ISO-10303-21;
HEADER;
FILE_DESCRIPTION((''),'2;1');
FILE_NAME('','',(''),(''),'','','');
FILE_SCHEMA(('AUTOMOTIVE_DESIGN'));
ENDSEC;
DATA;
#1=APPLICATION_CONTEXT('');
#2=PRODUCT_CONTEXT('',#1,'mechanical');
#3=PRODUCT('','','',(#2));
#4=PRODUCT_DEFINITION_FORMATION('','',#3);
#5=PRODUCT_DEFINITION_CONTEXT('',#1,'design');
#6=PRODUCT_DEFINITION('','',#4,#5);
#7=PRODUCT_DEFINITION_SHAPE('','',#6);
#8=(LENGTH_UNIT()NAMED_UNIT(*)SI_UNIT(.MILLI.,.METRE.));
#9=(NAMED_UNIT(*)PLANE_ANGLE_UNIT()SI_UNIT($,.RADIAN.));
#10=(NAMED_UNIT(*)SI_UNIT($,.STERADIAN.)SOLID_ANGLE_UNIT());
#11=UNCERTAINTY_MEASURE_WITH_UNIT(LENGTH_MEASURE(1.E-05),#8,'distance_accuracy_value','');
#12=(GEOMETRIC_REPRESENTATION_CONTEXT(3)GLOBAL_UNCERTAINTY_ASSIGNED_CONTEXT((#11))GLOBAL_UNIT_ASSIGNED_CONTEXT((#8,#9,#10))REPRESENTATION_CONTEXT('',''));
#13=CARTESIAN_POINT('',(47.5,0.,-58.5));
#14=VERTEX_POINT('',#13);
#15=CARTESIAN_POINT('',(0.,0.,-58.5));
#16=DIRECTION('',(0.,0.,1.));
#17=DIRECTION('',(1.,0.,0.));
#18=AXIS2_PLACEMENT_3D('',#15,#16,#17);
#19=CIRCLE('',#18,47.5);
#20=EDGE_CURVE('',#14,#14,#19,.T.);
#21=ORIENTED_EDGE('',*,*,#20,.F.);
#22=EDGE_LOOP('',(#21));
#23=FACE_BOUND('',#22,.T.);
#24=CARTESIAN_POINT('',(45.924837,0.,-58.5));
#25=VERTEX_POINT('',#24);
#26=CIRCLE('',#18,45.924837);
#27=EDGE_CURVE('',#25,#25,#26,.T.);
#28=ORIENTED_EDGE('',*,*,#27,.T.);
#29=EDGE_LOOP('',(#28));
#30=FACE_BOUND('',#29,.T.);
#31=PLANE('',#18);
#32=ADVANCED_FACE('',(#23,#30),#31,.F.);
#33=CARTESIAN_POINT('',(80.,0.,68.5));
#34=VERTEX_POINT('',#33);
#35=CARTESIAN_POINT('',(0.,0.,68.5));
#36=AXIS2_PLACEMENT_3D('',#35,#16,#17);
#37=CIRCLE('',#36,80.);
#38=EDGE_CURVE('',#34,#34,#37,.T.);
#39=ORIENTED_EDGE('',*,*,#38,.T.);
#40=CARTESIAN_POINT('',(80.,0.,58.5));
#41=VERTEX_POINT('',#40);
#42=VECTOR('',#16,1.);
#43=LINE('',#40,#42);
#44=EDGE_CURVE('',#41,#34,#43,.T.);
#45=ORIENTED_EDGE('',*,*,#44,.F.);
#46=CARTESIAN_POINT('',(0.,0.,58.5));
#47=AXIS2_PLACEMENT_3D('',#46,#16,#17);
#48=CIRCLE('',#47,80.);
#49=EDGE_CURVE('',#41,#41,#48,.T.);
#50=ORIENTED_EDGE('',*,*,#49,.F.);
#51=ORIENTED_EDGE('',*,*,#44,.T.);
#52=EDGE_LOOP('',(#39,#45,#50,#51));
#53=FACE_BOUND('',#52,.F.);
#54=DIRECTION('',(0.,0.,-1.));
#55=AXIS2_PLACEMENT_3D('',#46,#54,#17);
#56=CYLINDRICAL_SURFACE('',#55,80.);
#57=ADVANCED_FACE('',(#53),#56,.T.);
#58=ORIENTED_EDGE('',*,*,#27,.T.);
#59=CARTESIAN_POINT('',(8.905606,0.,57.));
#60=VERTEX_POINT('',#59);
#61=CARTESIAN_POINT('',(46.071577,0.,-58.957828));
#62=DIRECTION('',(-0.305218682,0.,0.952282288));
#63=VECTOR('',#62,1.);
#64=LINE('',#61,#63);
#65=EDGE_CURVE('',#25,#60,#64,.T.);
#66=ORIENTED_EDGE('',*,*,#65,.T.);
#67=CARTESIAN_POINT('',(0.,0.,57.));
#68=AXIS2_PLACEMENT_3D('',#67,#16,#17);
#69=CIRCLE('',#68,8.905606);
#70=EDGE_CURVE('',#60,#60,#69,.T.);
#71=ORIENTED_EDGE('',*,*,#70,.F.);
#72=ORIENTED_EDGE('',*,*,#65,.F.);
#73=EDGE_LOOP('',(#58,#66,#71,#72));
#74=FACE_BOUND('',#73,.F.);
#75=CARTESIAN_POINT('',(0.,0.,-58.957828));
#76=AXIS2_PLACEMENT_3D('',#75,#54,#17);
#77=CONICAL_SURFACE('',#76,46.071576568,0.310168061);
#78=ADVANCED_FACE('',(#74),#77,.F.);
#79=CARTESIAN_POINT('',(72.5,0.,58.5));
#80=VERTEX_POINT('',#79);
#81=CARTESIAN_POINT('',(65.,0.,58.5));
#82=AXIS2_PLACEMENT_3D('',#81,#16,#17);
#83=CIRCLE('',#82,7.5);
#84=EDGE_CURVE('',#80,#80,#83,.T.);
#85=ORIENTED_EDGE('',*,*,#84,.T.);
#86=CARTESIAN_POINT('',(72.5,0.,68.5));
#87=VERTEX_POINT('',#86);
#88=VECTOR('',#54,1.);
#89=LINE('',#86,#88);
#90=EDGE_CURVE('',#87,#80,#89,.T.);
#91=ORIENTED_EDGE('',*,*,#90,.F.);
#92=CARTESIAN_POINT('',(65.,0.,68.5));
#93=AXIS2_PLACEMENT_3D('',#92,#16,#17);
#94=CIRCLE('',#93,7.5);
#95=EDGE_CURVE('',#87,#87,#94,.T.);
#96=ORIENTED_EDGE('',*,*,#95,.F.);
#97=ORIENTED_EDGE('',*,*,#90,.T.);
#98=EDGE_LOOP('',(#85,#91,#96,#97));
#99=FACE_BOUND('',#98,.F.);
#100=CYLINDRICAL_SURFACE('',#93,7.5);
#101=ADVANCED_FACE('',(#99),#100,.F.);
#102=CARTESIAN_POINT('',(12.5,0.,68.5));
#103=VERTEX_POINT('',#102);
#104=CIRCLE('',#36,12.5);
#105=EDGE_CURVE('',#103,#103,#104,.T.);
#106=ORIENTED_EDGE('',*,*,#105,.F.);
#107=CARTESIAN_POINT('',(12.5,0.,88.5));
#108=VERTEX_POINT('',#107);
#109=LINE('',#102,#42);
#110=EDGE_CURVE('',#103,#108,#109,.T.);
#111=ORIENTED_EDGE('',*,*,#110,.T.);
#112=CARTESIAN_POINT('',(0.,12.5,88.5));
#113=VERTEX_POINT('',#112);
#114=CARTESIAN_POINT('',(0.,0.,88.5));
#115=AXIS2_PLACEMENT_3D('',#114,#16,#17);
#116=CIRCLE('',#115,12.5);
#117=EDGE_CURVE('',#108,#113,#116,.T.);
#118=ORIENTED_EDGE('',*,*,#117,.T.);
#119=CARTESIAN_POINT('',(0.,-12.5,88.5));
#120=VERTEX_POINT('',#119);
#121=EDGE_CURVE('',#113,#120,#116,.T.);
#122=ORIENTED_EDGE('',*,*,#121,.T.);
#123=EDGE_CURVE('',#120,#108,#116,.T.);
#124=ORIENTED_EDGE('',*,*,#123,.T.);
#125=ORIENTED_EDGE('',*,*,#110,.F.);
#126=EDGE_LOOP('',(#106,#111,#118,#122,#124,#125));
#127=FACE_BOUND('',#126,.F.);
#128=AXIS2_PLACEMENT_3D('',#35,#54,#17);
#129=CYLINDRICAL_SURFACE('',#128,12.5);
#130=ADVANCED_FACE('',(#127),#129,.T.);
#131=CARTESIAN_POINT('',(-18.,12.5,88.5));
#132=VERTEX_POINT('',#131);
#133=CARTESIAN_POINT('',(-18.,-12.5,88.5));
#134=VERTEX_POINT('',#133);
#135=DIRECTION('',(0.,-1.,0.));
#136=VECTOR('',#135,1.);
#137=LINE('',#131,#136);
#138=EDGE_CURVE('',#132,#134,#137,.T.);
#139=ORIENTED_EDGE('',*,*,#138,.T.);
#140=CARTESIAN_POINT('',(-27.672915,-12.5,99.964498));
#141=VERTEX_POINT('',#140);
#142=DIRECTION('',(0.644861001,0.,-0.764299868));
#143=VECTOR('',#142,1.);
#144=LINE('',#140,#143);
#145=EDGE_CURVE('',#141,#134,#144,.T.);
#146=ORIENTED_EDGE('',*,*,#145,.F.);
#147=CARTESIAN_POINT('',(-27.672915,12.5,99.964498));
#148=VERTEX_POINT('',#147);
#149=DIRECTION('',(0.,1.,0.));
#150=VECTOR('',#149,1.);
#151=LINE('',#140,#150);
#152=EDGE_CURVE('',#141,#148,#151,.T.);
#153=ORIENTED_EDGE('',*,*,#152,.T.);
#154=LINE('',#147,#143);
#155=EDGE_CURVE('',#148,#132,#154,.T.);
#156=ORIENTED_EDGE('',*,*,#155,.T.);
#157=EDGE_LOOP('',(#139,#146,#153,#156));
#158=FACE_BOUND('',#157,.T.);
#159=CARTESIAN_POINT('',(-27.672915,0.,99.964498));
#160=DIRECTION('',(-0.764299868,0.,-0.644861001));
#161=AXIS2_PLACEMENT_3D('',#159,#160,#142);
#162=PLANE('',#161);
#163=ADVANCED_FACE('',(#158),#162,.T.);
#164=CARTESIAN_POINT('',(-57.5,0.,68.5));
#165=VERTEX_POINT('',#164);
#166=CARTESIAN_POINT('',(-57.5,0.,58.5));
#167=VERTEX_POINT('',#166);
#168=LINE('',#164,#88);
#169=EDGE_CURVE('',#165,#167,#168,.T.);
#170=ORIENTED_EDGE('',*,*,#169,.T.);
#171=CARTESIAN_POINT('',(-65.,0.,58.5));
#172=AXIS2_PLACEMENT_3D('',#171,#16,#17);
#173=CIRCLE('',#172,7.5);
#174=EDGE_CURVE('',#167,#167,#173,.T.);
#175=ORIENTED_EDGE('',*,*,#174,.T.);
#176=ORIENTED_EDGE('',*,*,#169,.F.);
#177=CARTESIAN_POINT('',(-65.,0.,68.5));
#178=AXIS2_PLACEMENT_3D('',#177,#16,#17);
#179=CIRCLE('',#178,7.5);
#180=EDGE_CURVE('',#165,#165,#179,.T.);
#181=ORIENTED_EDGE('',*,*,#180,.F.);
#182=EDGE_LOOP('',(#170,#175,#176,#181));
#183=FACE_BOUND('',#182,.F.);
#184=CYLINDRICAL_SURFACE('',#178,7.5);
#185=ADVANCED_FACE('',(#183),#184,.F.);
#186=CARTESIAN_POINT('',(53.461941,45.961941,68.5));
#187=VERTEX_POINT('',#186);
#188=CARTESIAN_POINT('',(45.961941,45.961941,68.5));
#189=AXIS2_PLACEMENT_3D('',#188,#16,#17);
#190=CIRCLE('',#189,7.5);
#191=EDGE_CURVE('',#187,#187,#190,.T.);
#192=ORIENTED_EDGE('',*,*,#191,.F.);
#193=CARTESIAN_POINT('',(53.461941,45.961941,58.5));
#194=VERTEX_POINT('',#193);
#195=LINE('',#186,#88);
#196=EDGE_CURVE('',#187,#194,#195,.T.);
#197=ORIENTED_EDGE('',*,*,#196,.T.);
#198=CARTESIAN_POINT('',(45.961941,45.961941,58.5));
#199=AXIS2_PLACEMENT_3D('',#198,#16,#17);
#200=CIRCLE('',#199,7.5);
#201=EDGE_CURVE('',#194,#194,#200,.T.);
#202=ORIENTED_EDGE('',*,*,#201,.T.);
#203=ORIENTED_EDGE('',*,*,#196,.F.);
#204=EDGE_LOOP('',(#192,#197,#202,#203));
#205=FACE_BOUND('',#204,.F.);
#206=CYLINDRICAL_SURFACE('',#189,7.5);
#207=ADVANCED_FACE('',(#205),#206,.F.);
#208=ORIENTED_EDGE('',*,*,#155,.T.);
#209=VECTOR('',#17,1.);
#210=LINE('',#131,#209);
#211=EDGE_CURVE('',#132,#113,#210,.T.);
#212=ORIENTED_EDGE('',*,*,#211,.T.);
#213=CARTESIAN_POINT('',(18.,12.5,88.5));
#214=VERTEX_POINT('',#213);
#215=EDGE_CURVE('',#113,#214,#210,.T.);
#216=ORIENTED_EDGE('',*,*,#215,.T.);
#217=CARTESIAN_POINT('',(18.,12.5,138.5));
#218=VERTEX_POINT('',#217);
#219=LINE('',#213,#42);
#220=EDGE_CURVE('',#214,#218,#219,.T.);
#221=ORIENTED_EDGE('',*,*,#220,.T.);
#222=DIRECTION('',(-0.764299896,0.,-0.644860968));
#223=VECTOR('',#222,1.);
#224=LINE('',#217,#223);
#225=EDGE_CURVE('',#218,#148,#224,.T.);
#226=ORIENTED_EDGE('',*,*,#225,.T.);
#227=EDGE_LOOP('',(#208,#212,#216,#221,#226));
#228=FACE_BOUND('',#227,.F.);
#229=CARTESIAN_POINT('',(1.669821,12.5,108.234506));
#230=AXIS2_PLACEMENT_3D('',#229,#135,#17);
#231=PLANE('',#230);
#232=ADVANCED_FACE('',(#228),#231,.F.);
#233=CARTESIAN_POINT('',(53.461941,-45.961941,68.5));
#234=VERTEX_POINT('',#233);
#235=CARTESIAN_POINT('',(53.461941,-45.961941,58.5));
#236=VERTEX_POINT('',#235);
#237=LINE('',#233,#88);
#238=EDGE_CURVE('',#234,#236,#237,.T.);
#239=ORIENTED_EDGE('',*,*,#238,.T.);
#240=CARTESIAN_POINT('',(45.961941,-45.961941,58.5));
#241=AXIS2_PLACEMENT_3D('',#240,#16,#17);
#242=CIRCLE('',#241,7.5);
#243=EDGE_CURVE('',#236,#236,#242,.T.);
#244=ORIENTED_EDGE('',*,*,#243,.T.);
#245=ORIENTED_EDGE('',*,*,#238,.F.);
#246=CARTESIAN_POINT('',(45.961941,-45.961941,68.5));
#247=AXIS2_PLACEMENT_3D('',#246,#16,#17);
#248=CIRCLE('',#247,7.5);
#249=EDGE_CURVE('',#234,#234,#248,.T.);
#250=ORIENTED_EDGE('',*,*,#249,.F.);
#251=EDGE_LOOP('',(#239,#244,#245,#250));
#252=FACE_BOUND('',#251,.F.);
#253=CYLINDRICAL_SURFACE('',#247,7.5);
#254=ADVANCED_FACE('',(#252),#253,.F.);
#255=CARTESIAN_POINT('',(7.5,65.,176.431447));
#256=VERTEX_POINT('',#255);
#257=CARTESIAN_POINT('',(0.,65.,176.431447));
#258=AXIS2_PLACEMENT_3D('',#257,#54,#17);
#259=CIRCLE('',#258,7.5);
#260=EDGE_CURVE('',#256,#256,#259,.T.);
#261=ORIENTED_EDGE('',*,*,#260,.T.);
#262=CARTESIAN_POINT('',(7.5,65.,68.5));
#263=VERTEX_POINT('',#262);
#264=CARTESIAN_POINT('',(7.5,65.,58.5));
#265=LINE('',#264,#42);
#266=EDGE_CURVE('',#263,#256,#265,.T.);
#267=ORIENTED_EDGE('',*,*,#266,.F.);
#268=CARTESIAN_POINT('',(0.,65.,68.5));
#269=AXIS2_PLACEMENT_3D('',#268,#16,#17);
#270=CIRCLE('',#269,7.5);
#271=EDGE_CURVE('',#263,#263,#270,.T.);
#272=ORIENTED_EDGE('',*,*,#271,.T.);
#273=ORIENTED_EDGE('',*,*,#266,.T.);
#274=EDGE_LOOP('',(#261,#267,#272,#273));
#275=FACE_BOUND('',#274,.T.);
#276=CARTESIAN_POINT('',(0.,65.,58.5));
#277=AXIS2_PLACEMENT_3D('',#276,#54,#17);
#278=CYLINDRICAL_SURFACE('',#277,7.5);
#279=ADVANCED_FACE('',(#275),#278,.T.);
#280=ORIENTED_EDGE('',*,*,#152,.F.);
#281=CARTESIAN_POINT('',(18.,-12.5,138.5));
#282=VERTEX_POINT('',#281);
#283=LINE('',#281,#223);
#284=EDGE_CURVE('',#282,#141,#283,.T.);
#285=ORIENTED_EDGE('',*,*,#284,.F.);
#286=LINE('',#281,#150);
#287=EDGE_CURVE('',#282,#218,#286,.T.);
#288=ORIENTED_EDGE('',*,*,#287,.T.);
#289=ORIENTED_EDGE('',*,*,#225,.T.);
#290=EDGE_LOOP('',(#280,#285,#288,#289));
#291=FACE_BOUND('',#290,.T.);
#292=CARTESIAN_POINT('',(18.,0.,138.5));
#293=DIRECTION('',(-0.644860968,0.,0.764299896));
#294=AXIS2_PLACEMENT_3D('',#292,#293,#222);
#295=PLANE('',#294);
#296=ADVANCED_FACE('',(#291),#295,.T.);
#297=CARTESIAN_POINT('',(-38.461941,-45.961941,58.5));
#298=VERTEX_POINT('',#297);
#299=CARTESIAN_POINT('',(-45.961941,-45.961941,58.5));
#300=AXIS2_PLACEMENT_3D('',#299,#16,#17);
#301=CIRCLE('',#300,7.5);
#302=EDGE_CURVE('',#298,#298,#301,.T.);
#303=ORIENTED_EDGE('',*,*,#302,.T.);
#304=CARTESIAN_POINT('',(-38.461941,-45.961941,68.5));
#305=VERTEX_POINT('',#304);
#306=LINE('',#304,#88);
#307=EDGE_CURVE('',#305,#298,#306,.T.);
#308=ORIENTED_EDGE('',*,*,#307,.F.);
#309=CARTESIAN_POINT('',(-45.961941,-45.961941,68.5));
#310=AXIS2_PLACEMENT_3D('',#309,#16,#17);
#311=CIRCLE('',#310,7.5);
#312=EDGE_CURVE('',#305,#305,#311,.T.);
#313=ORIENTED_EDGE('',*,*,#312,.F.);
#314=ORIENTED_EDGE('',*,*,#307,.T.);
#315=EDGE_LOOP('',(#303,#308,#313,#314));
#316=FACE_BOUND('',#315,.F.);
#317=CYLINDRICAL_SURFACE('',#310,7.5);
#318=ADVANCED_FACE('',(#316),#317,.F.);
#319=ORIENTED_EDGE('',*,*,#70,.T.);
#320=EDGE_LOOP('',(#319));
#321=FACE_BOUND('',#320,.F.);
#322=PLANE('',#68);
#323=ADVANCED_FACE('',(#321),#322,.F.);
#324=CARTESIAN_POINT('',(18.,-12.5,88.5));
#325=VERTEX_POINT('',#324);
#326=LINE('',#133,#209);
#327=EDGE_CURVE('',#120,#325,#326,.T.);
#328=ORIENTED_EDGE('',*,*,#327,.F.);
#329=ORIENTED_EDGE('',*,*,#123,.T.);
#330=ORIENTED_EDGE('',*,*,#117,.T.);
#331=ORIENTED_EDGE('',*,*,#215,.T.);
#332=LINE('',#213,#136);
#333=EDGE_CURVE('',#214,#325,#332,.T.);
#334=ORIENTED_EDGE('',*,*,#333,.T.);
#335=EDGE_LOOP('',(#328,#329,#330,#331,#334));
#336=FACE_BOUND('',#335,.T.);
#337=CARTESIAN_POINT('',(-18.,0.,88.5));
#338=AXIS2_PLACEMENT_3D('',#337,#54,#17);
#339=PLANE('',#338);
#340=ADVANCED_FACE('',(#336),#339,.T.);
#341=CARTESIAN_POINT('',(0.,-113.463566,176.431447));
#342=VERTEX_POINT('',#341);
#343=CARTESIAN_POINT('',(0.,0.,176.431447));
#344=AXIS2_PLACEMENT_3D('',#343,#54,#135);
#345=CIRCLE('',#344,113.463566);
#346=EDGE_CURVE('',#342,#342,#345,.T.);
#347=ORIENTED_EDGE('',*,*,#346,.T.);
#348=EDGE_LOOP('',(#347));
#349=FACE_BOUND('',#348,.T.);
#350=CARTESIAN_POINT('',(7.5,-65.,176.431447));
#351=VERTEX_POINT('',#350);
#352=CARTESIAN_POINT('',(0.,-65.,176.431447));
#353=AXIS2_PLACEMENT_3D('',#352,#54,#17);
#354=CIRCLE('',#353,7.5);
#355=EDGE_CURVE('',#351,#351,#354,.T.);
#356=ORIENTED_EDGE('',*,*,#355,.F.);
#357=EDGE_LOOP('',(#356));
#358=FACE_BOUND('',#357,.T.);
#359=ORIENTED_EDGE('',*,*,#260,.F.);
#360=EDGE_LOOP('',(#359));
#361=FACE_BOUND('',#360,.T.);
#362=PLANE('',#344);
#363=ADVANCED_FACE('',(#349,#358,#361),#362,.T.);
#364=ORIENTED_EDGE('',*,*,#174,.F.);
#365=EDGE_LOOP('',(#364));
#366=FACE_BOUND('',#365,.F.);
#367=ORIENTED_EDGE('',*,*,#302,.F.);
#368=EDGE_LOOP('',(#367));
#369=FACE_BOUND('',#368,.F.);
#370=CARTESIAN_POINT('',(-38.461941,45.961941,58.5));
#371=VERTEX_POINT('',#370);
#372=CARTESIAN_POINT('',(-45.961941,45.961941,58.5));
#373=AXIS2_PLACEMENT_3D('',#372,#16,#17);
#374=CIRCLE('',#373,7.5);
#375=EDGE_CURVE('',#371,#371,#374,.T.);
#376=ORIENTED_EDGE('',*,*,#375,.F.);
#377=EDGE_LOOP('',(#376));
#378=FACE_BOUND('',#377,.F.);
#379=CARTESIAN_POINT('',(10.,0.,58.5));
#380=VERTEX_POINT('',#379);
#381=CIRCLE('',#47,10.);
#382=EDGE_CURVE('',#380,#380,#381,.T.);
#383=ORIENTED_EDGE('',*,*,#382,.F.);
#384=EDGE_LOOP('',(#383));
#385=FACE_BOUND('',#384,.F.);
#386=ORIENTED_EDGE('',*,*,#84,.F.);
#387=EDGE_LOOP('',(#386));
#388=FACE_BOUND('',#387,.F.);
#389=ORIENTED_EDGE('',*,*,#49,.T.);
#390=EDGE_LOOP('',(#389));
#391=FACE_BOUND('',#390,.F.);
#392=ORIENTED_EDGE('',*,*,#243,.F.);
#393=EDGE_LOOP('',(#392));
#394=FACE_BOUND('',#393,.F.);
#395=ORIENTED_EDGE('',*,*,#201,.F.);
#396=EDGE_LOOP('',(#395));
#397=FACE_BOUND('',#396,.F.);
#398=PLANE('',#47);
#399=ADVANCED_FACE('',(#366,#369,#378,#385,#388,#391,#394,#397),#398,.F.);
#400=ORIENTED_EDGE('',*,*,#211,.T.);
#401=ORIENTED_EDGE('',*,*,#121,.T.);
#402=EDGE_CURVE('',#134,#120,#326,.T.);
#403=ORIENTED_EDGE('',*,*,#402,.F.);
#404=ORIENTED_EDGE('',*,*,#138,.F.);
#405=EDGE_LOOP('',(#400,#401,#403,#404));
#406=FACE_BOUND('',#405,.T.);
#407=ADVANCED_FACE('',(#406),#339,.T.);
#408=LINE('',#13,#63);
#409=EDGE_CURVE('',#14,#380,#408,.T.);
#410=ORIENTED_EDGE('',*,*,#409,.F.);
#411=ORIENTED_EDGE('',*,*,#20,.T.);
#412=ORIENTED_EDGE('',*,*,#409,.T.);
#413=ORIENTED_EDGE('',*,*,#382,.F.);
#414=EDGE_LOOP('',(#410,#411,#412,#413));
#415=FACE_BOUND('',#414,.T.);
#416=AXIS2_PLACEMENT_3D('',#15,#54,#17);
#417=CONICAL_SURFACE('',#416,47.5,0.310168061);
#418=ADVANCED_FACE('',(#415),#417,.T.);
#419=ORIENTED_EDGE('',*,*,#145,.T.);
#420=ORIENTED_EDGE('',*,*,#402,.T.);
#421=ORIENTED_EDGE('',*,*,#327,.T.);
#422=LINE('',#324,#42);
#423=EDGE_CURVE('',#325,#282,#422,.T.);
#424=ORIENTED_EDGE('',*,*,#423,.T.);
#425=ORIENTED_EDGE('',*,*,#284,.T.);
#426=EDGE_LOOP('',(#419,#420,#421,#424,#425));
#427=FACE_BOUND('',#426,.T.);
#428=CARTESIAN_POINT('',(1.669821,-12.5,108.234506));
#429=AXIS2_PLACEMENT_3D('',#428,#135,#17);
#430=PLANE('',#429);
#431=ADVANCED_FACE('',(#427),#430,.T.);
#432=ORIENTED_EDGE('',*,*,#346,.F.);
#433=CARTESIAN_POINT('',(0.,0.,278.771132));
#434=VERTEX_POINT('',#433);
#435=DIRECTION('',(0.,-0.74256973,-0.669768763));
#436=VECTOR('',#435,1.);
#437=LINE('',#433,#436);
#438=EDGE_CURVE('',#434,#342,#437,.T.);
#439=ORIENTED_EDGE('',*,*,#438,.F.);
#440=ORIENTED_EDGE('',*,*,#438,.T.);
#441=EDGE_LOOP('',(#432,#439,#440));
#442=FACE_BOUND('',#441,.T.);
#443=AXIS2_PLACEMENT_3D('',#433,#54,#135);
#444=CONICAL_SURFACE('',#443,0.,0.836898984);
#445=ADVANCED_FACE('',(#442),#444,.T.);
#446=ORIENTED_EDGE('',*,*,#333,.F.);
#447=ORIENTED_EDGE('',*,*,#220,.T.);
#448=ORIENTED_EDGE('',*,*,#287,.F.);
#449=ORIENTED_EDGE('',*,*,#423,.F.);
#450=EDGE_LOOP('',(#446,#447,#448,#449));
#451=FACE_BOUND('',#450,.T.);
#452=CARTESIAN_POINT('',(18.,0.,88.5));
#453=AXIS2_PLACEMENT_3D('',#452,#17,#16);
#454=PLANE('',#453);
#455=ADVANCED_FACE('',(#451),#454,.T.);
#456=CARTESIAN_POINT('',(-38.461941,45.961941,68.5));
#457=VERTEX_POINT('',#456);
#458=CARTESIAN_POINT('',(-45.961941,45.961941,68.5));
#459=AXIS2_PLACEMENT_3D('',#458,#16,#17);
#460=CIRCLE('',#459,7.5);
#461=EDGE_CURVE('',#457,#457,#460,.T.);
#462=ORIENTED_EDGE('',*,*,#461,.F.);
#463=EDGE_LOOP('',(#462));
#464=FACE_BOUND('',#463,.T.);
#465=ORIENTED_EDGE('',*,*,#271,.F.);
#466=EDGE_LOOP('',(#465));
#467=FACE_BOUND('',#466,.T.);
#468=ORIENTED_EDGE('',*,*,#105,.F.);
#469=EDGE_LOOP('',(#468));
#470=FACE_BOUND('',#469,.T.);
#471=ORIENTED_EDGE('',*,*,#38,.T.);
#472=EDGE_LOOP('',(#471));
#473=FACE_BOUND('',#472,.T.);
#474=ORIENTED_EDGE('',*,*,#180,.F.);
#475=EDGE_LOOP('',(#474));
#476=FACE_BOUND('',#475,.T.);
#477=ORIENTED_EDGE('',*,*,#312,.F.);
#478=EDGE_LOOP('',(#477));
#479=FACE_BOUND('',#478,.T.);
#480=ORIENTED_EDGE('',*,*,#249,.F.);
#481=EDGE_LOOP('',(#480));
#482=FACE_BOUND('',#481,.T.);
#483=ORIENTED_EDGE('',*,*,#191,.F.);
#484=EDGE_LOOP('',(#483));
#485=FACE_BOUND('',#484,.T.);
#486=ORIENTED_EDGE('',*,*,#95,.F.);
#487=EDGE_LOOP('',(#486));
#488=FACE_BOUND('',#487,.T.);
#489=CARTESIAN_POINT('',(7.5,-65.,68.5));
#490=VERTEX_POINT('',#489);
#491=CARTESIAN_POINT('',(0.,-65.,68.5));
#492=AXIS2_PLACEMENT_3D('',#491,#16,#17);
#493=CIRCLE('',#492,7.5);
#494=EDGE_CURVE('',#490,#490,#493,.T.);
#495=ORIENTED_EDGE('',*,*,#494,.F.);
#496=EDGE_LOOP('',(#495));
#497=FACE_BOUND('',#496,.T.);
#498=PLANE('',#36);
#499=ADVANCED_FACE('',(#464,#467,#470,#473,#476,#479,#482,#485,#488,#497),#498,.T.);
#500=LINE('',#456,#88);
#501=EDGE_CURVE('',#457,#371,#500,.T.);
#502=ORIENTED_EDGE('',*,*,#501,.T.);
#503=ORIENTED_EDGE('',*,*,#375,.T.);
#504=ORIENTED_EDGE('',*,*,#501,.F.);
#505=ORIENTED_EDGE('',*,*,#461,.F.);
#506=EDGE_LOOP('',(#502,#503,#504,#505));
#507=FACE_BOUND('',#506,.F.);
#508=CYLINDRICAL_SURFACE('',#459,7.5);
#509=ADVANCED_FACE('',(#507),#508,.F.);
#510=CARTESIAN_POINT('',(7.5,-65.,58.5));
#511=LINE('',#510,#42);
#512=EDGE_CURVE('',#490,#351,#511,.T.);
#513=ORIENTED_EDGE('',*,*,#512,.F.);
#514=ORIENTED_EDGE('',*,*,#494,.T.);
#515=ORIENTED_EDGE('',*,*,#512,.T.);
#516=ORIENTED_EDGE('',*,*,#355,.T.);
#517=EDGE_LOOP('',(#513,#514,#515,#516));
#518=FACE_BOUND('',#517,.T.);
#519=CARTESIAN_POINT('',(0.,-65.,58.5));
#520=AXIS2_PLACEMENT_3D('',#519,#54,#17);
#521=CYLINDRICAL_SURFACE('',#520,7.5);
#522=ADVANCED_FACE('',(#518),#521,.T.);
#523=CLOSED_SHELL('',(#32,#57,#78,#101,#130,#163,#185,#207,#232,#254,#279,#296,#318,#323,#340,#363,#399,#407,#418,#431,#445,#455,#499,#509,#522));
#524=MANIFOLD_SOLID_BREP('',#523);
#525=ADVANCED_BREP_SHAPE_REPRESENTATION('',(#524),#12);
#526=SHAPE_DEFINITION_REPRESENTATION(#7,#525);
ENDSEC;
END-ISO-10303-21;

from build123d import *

# Parameters (mm, degrees)
F2_T      = -1.5
F3_R      = 80
F4_DEPTH  = 10
F5_R      = 7.5
F6_DEPTH  = 10
F7_R      = 12.5
F8_DEPTH  = 20
F10_DEPTH = 12.5
F11_R     = 7.5
F12_DEPTH = 150


with BuildPart() as f1:
    # F0 (on Front) → F1 (revolve)
    with BuildSketch(Plane.XZ):
        Polygon((10, 58.5), (0, 58.5), (0, -58.5), (47.5, -58.5), align=None)
    revolve(axis=Axis((0, 0, 0), (0, 0, 1)))

    # F2
    f2_openings = [f1.faces().sort_by_distance(p)[0] for p in [
        (0, 0, -58.5),
    ]]
    offset(amount=F2_T, openings=f2_openings)

    # F3 (on face) → F4 (join)
    with BuildSketch(Plane.XY.offset(58.5)):
        Circle(F3_R)
    extrude(amount=F4_DEPTH)

    # F5 (on face) → F6 (cut, through all)
    with BuildSketch(Plane.XY.offset(68.5)):
        with Locations((-65, 0)):
            Circle(F5_R)
        with Locations((-45.961941, -45.961941)):
            Circle(F5_R)
        with Locations((0, -65)):
            Circle(F5_R)
        with Locations((45.961941, -45.961941)):
            Circle(F5_R)
        with Locations((65, 0)):
            Circle(F5_R)
        with Locations((45.961941, 45.961941)):
            Circle(F5_R)
        with Locations((0, 65)):
            Circle(F5_R)
        with Locations((-45.961941, 45.961941)):
            Circle(F5_R)
    extrude(amount=-F6_DEPTH, mode=Mode.SUBTRACT)

    # F7 (on face) → F8 (join)
    with BuildSketch(Plane.XY.offset(68.5)):
        Circle(F7_R)
    extrude(amount=F8_DEPTH)

    # F9 (on Front) → F10 (join, symmetric)
    with BuildSketch(Plane.XZ):
        Polygon((-27.672915, 99.964498), (-18, 88.5), (18, 88.5), (18, 138.5), align=None)
    extrude(amount=F10_DEPTH, both=True)

    # F11 (on face) → F12 (join)
    with BuildSketch(Plane(origin=(0, 0, 58.5), x_dir=(1, 0, 0), z_dir=(0, 0, -1))):
        with Locations((0, -65)):
            Circle(F11_R)
        with Locations((0, 65)):
            Circle(F11_R)
    extrude(amount=-F12_DEPTH)

    # F13 (on Right) → F14 (revolve)
    with BuildSketch(Plane.YZ):
        Polygon((0, 278.771132), (-113.463566, 176.431447), (0, 176.431447), align=None)
    revolve(axis=Axis((0, 0, 227.60129), (0, 0, -1)))


solid = f1.part
